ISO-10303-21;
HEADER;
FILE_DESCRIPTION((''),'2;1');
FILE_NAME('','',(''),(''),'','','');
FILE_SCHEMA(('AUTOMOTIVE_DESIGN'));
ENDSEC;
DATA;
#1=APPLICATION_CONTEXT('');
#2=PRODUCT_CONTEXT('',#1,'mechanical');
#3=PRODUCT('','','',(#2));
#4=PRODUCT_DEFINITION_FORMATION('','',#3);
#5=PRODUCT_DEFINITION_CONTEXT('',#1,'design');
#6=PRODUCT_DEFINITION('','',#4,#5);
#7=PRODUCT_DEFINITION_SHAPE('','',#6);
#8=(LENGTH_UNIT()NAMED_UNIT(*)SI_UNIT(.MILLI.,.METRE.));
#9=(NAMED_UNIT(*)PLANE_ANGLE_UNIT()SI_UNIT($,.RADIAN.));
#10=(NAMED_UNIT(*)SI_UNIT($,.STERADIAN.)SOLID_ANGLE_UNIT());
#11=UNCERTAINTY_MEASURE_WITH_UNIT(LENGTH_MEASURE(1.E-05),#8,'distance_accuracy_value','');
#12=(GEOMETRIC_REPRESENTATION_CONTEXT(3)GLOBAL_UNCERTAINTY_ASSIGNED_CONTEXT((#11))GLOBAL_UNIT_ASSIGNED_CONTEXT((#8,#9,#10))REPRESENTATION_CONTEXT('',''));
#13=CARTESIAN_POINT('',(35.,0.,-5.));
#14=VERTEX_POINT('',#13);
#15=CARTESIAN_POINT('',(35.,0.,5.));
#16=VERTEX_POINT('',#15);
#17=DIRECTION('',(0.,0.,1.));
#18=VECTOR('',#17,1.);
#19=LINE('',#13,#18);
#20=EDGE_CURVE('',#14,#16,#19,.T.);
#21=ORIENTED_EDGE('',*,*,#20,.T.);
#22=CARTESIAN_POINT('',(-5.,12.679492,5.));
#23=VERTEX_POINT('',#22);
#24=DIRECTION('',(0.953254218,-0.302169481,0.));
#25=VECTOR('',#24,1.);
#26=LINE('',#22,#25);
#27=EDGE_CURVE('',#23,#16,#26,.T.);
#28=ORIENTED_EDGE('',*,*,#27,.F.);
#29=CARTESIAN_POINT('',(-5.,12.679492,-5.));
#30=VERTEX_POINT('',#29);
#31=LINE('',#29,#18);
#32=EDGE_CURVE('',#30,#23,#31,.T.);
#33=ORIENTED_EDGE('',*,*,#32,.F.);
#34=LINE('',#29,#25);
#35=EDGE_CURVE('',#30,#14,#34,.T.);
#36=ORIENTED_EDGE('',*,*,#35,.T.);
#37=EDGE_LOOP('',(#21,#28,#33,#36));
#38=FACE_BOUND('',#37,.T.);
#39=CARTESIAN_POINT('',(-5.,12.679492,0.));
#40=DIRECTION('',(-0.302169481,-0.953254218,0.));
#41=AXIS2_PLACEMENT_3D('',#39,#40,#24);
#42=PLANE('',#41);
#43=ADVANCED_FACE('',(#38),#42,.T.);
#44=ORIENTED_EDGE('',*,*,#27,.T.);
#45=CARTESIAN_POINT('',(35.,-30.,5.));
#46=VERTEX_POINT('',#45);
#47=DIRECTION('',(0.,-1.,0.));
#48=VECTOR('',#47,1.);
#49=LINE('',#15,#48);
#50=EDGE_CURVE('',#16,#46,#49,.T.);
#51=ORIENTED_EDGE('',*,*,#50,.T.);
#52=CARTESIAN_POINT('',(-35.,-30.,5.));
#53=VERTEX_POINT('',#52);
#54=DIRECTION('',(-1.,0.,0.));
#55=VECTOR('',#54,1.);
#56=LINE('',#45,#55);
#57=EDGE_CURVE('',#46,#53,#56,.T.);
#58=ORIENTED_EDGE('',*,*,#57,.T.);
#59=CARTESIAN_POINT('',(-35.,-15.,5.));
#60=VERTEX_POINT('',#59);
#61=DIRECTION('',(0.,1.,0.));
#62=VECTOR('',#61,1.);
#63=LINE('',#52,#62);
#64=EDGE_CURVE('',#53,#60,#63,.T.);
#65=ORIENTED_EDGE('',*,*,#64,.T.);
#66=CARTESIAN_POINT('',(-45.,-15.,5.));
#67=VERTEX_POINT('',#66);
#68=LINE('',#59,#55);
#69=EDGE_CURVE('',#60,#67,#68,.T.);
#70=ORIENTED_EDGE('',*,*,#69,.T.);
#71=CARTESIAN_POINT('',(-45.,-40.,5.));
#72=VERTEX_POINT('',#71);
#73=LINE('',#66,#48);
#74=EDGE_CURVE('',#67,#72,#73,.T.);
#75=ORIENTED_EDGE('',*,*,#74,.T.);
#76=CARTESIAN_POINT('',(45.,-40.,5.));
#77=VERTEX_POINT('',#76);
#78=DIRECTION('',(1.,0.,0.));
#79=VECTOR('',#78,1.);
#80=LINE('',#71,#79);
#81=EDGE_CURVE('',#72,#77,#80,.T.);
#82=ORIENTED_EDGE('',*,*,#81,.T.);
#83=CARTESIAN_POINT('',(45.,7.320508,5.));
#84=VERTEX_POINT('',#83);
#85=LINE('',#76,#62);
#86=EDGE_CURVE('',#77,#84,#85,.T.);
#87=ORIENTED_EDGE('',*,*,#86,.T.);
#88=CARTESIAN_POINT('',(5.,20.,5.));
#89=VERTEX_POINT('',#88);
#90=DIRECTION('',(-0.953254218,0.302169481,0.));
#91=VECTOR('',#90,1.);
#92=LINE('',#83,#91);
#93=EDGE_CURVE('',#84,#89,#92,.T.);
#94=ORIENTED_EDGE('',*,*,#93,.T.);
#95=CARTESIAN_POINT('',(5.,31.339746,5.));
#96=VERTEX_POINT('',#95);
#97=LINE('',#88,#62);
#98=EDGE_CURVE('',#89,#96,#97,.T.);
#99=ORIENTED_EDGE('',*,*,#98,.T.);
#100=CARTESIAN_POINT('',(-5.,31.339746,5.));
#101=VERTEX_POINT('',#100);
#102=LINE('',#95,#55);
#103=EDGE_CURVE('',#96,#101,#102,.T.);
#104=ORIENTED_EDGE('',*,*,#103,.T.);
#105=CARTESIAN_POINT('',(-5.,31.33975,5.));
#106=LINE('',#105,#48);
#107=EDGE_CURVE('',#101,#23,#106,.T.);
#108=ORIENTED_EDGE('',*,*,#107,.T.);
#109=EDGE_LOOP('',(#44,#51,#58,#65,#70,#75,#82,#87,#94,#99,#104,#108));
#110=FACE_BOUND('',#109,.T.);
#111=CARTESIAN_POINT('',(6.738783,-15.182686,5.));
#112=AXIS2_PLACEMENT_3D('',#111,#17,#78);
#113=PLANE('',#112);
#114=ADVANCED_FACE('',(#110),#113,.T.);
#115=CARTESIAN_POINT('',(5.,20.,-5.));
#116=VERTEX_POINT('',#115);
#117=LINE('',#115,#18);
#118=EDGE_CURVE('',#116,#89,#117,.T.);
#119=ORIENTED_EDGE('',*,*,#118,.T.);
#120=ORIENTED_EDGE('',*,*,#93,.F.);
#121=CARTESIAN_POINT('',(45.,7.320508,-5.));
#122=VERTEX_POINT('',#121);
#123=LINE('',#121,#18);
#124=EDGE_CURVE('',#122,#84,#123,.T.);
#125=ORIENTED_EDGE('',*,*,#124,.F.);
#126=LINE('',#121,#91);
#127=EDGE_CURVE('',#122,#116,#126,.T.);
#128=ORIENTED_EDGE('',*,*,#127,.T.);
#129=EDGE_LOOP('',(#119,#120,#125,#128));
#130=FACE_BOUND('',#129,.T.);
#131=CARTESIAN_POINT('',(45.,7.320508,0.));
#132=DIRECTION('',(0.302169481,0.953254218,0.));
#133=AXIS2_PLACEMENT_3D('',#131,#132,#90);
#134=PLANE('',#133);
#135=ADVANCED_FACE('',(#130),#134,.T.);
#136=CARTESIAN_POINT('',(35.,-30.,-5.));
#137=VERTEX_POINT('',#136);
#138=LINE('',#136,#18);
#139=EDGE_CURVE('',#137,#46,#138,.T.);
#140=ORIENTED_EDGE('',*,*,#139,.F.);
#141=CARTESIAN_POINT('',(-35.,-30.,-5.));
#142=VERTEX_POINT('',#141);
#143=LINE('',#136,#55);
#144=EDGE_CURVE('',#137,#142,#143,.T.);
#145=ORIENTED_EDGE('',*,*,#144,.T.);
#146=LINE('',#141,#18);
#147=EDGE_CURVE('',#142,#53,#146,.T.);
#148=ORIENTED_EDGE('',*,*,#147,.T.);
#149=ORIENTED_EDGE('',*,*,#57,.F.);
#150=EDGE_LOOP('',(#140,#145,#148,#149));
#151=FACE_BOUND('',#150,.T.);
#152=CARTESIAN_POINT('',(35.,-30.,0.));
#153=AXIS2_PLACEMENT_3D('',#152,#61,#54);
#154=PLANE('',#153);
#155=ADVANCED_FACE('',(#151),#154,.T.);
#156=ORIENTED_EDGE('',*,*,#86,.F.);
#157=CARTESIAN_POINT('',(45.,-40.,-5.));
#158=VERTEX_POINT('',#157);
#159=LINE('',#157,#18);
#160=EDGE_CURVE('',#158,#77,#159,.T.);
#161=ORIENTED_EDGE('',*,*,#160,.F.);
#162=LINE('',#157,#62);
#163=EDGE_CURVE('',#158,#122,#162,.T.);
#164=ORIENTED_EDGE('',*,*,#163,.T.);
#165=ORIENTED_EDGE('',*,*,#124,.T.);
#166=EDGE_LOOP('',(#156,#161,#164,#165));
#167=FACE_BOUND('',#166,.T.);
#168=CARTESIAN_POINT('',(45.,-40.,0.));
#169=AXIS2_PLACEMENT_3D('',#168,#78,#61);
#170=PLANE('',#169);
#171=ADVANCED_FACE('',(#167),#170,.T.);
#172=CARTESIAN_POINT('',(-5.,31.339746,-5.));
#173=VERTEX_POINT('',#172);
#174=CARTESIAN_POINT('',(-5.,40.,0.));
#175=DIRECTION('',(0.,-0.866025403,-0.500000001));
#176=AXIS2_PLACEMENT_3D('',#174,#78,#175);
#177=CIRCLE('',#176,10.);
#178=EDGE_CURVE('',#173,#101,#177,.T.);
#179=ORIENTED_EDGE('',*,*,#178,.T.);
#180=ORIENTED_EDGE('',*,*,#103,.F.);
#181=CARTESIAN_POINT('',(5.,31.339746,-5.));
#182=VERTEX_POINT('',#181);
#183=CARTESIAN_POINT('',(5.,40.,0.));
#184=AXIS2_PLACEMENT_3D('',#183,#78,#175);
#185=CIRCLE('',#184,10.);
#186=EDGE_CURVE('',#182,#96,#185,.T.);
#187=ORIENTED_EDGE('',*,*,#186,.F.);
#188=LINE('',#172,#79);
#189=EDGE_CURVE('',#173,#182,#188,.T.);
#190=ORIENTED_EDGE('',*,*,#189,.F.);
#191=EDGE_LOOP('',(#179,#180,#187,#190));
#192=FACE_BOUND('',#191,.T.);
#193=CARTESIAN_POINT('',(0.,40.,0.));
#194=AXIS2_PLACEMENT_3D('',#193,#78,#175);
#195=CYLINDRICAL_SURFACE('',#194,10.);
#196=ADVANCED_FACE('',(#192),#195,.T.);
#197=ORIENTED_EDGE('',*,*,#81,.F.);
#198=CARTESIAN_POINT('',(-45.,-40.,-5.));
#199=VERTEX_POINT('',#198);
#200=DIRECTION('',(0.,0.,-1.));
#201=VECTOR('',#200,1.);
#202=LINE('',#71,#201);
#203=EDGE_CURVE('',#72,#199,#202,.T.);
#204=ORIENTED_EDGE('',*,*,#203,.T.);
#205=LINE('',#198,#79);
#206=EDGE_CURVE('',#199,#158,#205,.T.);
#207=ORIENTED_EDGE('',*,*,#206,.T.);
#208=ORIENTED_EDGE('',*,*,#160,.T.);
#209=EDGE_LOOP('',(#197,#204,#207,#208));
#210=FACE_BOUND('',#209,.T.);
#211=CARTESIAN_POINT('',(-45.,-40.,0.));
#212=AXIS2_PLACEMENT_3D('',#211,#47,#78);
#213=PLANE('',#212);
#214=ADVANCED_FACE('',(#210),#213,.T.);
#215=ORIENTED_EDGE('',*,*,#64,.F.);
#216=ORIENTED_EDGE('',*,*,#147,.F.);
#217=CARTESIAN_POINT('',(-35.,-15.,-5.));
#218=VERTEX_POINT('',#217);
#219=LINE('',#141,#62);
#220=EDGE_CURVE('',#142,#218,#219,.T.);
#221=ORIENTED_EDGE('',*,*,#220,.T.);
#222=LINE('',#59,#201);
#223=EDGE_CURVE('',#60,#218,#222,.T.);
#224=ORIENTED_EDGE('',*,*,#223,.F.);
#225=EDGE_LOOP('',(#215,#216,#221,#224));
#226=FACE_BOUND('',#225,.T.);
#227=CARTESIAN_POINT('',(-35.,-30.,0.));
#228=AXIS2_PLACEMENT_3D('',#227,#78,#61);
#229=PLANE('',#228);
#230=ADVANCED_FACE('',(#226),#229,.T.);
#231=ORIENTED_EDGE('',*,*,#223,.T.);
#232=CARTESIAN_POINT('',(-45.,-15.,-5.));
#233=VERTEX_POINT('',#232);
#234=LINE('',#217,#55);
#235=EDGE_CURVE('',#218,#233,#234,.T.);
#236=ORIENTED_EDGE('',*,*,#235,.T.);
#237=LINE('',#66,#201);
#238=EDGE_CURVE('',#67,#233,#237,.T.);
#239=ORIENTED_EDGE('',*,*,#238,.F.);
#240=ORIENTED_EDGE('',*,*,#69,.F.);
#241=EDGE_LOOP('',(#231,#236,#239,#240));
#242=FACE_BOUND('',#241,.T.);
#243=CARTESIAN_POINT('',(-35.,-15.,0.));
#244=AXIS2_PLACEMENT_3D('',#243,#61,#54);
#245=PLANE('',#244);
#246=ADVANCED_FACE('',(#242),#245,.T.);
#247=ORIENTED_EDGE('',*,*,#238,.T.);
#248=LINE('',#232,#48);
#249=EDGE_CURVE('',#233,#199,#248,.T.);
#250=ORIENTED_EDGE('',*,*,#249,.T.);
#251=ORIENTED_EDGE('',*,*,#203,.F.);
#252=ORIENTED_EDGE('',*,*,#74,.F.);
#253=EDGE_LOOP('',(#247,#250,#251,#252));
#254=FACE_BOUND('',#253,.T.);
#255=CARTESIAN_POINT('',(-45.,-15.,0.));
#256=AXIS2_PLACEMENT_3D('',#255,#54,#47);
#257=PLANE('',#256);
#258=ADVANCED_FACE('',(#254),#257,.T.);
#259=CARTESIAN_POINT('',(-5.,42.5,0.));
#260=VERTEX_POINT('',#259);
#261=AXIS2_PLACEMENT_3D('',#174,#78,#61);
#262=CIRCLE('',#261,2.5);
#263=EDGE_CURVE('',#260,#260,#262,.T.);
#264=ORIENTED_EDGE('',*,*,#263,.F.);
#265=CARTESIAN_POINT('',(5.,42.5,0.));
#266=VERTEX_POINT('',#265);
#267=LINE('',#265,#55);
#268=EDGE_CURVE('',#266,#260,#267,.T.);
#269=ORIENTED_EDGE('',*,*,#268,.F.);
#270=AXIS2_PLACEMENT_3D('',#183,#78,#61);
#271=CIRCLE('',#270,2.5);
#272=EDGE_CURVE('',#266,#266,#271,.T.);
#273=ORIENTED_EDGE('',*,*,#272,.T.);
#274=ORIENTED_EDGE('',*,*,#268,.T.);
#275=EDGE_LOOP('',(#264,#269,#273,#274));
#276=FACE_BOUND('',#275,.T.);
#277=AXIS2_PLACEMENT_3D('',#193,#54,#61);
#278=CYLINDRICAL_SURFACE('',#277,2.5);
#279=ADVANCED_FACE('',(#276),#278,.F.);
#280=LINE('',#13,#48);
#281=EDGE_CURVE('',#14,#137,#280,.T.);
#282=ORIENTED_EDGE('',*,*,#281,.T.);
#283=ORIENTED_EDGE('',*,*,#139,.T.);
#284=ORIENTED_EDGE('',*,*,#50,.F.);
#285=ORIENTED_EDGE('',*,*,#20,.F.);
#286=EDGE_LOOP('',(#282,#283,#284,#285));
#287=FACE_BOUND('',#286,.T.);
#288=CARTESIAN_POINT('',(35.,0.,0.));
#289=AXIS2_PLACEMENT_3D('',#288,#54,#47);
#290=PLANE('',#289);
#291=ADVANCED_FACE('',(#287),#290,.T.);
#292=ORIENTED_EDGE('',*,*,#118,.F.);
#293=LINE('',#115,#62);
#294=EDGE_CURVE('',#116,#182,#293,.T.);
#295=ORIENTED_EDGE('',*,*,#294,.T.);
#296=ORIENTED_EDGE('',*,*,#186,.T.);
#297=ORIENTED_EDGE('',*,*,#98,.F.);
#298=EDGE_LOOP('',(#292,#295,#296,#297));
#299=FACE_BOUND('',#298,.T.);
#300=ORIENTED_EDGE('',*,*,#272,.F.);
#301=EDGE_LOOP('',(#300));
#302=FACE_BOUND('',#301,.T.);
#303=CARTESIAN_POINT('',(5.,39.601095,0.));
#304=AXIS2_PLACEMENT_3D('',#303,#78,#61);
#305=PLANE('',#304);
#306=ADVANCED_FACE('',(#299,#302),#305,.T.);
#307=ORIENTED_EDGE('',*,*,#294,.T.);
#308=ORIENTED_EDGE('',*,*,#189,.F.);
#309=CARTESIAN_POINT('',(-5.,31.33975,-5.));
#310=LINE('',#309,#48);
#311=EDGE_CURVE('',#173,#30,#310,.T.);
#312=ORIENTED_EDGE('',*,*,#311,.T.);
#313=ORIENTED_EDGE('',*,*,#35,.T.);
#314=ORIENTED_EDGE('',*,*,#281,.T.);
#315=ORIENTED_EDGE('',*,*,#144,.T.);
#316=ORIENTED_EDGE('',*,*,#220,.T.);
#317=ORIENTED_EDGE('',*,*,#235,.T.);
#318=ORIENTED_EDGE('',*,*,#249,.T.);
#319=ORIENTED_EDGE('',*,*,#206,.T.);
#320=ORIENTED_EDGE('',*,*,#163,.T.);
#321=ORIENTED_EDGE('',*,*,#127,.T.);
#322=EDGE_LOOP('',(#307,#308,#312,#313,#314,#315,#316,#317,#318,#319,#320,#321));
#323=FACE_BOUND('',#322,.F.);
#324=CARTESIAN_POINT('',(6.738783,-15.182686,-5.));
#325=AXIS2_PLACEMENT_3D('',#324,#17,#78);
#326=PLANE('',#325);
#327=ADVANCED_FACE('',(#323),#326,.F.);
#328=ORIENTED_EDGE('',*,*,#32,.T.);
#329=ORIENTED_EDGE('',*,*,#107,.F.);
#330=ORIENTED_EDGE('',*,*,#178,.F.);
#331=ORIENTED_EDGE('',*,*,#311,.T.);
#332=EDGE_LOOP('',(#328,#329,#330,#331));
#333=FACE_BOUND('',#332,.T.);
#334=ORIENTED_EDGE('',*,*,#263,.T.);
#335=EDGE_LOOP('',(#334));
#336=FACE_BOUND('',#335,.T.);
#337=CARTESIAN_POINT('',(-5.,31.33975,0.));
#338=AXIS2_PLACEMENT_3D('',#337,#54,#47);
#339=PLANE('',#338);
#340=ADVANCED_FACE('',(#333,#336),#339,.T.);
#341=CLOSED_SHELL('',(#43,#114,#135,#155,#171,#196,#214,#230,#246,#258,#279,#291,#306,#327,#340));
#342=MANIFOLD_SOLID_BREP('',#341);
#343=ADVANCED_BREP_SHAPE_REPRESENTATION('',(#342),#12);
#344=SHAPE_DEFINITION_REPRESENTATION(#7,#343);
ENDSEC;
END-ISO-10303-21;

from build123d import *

# Parameters (mm, degrees)
F1_DEPTH = 5
F2_R     = 2.5
F3_DEPTH = 5


with BuildPart() as f1:
    # F0 (on Top) → F1 (new body, symmetric)
    with BuildSketch(Plane.XY):
        Polygon((-45, -40), (0, -40), (45, -40), (45, 0), (45, 7.320508), (5, 20), (5, 31.33975), (-5, 31.33975), (-5, 12.679492), (35, 0), (35, -30), (-35, -30), (-35, -15), (-45, -15), align=None)
    extrude(amount=F1_DEPTH, both=True)

    # F2 (on Right) → F3 (join, symmetric)
    with BuildSketch(Plane.YZ):
        with BuildLine():
            Line((31.339746, 5), (31.339746, -5))
            ThreePointArc((31.339746, -5), (50, 0), (31.339746, 5))
        make_face()
        with Locations((40, 0)):
            Circle(F2_R, mode=Mode.SUBTRACT)
    extrude(amount=F3_DEPTH, both=True)


solid = f1.part
